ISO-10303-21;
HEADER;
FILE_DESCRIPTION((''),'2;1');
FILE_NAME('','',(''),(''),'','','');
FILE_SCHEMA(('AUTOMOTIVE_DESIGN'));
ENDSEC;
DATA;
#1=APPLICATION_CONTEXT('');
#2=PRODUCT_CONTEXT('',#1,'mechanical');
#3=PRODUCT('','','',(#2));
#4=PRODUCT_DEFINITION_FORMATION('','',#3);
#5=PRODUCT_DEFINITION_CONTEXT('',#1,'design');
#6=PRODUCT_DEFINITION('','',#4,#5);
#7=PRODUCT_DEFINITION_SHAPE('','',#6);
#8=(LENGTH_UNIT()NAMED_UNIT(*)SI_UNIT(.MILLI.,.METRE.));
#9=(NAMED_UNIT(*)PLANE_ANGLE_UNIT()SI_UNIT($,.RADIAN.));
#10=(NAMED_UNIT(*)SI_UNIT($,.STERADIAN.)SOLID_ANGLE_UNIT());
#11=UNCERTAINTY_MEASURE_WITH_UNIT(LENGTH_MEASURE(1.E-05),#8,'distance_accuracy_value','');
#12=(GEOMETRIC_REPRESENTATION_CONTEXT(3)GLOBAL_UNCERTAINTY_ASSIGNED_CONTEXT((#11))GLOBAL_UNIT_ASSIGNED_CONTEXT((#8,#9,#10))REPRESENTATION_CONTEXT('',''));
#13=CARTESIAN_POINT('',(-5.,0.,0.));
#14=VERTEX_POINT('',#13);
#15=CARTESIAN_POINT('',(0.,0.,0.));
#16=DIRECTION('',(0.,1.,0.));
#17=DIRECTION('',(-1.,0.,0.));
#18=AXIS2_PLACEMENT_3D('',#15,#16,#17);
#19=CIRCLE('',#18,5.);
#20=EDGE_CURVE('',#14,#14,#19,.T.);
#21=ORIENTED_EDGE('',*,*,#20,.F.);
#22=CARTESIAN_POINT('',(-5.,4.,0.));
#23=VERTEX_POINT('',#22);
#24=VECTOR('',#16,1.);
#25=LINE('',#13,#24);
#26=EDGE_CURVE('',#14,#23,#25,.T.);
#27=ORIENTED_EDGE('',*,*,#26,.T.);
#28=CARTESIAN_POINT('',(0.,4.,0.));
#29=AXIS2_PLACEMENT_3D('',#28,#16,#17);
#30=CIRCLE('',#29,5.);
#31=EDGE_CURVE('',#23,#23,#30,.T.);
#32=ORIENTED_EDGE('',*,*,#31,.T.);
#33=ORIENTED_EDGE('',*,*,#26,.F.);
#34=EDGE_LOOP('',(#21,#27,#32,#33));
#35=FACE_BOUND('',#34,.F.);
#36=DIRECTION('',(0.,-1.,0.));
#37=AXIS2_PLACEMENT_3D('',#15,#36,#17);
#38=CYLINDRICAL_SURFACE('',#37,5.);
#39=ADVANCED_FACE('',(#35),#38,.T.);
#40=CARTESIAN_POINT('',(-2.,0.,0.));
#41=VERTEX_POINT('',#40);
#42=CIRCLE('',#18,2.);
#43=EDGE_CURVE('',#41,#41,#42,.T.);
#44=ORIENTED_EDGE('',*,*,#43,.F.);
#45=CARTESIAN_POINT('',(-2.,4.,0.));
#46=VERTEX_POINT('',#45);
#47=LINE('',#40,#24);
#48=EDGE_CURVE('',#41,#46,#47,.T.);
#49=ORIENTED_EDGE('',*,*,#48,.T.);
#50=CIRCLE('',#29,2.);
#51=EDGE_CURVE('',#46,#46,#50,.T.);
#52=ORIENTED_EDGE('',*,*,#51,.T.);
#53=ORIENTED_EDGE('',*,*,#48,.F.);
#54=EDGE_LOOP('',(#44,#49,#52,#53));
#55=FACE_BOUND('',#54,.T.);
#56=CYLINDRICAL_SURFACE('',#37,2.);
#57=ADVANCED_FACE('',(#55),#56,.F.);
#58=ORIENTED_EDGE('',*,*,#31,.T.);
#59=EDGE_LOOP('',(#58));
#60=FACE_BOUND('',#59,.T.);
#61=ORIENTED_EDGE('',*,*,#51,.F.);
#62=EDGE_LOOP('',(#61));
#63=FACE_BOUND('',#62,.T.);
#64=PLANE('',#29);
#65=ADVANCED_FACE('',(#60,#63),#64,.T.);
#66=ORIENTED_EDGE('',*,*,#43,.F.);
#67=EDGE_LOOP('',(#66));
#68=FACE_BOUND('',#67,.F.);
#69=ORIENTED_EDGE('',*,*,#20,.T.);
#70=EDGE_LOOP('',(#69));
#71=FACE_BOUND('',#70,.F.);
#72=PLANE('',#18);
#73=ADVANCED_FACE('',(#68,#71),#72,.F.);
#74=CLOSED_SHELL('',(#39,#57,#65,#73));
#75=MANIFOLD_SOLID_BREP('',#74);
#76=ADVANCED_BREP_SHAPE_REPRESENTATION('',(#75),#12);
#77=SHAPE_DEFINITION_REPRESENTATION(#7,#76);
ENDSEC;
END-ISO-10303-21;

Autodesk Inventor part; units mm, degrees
ref_plane "YZ Plane" through (0, 0, 0) normal (1, 0, 0) x (0, 1, 0)
ref_plane "XZ Plane" through (0, 0, 0) normal (0, 1, 0) x (-1, 0, 0)
ref_plane "XY Plane" through (0, 0, 0) normal (0, 0, 1) x (1, 0, 0)
sketch "Sketch1" plane through (0, 0, 0) normal (0, 1, 0) x (-1, 0, 0)
  circle A0 centre (0, 0) radius 2
  circle A1 centre (0, 0) radius 5
  dimension "d0" = 4
  dimension "d1" = 10
extrude "Extrusion1" add sketch "Sketch1" along normal blind 4
properties part number "BEARING" material "Stainless Steel"
